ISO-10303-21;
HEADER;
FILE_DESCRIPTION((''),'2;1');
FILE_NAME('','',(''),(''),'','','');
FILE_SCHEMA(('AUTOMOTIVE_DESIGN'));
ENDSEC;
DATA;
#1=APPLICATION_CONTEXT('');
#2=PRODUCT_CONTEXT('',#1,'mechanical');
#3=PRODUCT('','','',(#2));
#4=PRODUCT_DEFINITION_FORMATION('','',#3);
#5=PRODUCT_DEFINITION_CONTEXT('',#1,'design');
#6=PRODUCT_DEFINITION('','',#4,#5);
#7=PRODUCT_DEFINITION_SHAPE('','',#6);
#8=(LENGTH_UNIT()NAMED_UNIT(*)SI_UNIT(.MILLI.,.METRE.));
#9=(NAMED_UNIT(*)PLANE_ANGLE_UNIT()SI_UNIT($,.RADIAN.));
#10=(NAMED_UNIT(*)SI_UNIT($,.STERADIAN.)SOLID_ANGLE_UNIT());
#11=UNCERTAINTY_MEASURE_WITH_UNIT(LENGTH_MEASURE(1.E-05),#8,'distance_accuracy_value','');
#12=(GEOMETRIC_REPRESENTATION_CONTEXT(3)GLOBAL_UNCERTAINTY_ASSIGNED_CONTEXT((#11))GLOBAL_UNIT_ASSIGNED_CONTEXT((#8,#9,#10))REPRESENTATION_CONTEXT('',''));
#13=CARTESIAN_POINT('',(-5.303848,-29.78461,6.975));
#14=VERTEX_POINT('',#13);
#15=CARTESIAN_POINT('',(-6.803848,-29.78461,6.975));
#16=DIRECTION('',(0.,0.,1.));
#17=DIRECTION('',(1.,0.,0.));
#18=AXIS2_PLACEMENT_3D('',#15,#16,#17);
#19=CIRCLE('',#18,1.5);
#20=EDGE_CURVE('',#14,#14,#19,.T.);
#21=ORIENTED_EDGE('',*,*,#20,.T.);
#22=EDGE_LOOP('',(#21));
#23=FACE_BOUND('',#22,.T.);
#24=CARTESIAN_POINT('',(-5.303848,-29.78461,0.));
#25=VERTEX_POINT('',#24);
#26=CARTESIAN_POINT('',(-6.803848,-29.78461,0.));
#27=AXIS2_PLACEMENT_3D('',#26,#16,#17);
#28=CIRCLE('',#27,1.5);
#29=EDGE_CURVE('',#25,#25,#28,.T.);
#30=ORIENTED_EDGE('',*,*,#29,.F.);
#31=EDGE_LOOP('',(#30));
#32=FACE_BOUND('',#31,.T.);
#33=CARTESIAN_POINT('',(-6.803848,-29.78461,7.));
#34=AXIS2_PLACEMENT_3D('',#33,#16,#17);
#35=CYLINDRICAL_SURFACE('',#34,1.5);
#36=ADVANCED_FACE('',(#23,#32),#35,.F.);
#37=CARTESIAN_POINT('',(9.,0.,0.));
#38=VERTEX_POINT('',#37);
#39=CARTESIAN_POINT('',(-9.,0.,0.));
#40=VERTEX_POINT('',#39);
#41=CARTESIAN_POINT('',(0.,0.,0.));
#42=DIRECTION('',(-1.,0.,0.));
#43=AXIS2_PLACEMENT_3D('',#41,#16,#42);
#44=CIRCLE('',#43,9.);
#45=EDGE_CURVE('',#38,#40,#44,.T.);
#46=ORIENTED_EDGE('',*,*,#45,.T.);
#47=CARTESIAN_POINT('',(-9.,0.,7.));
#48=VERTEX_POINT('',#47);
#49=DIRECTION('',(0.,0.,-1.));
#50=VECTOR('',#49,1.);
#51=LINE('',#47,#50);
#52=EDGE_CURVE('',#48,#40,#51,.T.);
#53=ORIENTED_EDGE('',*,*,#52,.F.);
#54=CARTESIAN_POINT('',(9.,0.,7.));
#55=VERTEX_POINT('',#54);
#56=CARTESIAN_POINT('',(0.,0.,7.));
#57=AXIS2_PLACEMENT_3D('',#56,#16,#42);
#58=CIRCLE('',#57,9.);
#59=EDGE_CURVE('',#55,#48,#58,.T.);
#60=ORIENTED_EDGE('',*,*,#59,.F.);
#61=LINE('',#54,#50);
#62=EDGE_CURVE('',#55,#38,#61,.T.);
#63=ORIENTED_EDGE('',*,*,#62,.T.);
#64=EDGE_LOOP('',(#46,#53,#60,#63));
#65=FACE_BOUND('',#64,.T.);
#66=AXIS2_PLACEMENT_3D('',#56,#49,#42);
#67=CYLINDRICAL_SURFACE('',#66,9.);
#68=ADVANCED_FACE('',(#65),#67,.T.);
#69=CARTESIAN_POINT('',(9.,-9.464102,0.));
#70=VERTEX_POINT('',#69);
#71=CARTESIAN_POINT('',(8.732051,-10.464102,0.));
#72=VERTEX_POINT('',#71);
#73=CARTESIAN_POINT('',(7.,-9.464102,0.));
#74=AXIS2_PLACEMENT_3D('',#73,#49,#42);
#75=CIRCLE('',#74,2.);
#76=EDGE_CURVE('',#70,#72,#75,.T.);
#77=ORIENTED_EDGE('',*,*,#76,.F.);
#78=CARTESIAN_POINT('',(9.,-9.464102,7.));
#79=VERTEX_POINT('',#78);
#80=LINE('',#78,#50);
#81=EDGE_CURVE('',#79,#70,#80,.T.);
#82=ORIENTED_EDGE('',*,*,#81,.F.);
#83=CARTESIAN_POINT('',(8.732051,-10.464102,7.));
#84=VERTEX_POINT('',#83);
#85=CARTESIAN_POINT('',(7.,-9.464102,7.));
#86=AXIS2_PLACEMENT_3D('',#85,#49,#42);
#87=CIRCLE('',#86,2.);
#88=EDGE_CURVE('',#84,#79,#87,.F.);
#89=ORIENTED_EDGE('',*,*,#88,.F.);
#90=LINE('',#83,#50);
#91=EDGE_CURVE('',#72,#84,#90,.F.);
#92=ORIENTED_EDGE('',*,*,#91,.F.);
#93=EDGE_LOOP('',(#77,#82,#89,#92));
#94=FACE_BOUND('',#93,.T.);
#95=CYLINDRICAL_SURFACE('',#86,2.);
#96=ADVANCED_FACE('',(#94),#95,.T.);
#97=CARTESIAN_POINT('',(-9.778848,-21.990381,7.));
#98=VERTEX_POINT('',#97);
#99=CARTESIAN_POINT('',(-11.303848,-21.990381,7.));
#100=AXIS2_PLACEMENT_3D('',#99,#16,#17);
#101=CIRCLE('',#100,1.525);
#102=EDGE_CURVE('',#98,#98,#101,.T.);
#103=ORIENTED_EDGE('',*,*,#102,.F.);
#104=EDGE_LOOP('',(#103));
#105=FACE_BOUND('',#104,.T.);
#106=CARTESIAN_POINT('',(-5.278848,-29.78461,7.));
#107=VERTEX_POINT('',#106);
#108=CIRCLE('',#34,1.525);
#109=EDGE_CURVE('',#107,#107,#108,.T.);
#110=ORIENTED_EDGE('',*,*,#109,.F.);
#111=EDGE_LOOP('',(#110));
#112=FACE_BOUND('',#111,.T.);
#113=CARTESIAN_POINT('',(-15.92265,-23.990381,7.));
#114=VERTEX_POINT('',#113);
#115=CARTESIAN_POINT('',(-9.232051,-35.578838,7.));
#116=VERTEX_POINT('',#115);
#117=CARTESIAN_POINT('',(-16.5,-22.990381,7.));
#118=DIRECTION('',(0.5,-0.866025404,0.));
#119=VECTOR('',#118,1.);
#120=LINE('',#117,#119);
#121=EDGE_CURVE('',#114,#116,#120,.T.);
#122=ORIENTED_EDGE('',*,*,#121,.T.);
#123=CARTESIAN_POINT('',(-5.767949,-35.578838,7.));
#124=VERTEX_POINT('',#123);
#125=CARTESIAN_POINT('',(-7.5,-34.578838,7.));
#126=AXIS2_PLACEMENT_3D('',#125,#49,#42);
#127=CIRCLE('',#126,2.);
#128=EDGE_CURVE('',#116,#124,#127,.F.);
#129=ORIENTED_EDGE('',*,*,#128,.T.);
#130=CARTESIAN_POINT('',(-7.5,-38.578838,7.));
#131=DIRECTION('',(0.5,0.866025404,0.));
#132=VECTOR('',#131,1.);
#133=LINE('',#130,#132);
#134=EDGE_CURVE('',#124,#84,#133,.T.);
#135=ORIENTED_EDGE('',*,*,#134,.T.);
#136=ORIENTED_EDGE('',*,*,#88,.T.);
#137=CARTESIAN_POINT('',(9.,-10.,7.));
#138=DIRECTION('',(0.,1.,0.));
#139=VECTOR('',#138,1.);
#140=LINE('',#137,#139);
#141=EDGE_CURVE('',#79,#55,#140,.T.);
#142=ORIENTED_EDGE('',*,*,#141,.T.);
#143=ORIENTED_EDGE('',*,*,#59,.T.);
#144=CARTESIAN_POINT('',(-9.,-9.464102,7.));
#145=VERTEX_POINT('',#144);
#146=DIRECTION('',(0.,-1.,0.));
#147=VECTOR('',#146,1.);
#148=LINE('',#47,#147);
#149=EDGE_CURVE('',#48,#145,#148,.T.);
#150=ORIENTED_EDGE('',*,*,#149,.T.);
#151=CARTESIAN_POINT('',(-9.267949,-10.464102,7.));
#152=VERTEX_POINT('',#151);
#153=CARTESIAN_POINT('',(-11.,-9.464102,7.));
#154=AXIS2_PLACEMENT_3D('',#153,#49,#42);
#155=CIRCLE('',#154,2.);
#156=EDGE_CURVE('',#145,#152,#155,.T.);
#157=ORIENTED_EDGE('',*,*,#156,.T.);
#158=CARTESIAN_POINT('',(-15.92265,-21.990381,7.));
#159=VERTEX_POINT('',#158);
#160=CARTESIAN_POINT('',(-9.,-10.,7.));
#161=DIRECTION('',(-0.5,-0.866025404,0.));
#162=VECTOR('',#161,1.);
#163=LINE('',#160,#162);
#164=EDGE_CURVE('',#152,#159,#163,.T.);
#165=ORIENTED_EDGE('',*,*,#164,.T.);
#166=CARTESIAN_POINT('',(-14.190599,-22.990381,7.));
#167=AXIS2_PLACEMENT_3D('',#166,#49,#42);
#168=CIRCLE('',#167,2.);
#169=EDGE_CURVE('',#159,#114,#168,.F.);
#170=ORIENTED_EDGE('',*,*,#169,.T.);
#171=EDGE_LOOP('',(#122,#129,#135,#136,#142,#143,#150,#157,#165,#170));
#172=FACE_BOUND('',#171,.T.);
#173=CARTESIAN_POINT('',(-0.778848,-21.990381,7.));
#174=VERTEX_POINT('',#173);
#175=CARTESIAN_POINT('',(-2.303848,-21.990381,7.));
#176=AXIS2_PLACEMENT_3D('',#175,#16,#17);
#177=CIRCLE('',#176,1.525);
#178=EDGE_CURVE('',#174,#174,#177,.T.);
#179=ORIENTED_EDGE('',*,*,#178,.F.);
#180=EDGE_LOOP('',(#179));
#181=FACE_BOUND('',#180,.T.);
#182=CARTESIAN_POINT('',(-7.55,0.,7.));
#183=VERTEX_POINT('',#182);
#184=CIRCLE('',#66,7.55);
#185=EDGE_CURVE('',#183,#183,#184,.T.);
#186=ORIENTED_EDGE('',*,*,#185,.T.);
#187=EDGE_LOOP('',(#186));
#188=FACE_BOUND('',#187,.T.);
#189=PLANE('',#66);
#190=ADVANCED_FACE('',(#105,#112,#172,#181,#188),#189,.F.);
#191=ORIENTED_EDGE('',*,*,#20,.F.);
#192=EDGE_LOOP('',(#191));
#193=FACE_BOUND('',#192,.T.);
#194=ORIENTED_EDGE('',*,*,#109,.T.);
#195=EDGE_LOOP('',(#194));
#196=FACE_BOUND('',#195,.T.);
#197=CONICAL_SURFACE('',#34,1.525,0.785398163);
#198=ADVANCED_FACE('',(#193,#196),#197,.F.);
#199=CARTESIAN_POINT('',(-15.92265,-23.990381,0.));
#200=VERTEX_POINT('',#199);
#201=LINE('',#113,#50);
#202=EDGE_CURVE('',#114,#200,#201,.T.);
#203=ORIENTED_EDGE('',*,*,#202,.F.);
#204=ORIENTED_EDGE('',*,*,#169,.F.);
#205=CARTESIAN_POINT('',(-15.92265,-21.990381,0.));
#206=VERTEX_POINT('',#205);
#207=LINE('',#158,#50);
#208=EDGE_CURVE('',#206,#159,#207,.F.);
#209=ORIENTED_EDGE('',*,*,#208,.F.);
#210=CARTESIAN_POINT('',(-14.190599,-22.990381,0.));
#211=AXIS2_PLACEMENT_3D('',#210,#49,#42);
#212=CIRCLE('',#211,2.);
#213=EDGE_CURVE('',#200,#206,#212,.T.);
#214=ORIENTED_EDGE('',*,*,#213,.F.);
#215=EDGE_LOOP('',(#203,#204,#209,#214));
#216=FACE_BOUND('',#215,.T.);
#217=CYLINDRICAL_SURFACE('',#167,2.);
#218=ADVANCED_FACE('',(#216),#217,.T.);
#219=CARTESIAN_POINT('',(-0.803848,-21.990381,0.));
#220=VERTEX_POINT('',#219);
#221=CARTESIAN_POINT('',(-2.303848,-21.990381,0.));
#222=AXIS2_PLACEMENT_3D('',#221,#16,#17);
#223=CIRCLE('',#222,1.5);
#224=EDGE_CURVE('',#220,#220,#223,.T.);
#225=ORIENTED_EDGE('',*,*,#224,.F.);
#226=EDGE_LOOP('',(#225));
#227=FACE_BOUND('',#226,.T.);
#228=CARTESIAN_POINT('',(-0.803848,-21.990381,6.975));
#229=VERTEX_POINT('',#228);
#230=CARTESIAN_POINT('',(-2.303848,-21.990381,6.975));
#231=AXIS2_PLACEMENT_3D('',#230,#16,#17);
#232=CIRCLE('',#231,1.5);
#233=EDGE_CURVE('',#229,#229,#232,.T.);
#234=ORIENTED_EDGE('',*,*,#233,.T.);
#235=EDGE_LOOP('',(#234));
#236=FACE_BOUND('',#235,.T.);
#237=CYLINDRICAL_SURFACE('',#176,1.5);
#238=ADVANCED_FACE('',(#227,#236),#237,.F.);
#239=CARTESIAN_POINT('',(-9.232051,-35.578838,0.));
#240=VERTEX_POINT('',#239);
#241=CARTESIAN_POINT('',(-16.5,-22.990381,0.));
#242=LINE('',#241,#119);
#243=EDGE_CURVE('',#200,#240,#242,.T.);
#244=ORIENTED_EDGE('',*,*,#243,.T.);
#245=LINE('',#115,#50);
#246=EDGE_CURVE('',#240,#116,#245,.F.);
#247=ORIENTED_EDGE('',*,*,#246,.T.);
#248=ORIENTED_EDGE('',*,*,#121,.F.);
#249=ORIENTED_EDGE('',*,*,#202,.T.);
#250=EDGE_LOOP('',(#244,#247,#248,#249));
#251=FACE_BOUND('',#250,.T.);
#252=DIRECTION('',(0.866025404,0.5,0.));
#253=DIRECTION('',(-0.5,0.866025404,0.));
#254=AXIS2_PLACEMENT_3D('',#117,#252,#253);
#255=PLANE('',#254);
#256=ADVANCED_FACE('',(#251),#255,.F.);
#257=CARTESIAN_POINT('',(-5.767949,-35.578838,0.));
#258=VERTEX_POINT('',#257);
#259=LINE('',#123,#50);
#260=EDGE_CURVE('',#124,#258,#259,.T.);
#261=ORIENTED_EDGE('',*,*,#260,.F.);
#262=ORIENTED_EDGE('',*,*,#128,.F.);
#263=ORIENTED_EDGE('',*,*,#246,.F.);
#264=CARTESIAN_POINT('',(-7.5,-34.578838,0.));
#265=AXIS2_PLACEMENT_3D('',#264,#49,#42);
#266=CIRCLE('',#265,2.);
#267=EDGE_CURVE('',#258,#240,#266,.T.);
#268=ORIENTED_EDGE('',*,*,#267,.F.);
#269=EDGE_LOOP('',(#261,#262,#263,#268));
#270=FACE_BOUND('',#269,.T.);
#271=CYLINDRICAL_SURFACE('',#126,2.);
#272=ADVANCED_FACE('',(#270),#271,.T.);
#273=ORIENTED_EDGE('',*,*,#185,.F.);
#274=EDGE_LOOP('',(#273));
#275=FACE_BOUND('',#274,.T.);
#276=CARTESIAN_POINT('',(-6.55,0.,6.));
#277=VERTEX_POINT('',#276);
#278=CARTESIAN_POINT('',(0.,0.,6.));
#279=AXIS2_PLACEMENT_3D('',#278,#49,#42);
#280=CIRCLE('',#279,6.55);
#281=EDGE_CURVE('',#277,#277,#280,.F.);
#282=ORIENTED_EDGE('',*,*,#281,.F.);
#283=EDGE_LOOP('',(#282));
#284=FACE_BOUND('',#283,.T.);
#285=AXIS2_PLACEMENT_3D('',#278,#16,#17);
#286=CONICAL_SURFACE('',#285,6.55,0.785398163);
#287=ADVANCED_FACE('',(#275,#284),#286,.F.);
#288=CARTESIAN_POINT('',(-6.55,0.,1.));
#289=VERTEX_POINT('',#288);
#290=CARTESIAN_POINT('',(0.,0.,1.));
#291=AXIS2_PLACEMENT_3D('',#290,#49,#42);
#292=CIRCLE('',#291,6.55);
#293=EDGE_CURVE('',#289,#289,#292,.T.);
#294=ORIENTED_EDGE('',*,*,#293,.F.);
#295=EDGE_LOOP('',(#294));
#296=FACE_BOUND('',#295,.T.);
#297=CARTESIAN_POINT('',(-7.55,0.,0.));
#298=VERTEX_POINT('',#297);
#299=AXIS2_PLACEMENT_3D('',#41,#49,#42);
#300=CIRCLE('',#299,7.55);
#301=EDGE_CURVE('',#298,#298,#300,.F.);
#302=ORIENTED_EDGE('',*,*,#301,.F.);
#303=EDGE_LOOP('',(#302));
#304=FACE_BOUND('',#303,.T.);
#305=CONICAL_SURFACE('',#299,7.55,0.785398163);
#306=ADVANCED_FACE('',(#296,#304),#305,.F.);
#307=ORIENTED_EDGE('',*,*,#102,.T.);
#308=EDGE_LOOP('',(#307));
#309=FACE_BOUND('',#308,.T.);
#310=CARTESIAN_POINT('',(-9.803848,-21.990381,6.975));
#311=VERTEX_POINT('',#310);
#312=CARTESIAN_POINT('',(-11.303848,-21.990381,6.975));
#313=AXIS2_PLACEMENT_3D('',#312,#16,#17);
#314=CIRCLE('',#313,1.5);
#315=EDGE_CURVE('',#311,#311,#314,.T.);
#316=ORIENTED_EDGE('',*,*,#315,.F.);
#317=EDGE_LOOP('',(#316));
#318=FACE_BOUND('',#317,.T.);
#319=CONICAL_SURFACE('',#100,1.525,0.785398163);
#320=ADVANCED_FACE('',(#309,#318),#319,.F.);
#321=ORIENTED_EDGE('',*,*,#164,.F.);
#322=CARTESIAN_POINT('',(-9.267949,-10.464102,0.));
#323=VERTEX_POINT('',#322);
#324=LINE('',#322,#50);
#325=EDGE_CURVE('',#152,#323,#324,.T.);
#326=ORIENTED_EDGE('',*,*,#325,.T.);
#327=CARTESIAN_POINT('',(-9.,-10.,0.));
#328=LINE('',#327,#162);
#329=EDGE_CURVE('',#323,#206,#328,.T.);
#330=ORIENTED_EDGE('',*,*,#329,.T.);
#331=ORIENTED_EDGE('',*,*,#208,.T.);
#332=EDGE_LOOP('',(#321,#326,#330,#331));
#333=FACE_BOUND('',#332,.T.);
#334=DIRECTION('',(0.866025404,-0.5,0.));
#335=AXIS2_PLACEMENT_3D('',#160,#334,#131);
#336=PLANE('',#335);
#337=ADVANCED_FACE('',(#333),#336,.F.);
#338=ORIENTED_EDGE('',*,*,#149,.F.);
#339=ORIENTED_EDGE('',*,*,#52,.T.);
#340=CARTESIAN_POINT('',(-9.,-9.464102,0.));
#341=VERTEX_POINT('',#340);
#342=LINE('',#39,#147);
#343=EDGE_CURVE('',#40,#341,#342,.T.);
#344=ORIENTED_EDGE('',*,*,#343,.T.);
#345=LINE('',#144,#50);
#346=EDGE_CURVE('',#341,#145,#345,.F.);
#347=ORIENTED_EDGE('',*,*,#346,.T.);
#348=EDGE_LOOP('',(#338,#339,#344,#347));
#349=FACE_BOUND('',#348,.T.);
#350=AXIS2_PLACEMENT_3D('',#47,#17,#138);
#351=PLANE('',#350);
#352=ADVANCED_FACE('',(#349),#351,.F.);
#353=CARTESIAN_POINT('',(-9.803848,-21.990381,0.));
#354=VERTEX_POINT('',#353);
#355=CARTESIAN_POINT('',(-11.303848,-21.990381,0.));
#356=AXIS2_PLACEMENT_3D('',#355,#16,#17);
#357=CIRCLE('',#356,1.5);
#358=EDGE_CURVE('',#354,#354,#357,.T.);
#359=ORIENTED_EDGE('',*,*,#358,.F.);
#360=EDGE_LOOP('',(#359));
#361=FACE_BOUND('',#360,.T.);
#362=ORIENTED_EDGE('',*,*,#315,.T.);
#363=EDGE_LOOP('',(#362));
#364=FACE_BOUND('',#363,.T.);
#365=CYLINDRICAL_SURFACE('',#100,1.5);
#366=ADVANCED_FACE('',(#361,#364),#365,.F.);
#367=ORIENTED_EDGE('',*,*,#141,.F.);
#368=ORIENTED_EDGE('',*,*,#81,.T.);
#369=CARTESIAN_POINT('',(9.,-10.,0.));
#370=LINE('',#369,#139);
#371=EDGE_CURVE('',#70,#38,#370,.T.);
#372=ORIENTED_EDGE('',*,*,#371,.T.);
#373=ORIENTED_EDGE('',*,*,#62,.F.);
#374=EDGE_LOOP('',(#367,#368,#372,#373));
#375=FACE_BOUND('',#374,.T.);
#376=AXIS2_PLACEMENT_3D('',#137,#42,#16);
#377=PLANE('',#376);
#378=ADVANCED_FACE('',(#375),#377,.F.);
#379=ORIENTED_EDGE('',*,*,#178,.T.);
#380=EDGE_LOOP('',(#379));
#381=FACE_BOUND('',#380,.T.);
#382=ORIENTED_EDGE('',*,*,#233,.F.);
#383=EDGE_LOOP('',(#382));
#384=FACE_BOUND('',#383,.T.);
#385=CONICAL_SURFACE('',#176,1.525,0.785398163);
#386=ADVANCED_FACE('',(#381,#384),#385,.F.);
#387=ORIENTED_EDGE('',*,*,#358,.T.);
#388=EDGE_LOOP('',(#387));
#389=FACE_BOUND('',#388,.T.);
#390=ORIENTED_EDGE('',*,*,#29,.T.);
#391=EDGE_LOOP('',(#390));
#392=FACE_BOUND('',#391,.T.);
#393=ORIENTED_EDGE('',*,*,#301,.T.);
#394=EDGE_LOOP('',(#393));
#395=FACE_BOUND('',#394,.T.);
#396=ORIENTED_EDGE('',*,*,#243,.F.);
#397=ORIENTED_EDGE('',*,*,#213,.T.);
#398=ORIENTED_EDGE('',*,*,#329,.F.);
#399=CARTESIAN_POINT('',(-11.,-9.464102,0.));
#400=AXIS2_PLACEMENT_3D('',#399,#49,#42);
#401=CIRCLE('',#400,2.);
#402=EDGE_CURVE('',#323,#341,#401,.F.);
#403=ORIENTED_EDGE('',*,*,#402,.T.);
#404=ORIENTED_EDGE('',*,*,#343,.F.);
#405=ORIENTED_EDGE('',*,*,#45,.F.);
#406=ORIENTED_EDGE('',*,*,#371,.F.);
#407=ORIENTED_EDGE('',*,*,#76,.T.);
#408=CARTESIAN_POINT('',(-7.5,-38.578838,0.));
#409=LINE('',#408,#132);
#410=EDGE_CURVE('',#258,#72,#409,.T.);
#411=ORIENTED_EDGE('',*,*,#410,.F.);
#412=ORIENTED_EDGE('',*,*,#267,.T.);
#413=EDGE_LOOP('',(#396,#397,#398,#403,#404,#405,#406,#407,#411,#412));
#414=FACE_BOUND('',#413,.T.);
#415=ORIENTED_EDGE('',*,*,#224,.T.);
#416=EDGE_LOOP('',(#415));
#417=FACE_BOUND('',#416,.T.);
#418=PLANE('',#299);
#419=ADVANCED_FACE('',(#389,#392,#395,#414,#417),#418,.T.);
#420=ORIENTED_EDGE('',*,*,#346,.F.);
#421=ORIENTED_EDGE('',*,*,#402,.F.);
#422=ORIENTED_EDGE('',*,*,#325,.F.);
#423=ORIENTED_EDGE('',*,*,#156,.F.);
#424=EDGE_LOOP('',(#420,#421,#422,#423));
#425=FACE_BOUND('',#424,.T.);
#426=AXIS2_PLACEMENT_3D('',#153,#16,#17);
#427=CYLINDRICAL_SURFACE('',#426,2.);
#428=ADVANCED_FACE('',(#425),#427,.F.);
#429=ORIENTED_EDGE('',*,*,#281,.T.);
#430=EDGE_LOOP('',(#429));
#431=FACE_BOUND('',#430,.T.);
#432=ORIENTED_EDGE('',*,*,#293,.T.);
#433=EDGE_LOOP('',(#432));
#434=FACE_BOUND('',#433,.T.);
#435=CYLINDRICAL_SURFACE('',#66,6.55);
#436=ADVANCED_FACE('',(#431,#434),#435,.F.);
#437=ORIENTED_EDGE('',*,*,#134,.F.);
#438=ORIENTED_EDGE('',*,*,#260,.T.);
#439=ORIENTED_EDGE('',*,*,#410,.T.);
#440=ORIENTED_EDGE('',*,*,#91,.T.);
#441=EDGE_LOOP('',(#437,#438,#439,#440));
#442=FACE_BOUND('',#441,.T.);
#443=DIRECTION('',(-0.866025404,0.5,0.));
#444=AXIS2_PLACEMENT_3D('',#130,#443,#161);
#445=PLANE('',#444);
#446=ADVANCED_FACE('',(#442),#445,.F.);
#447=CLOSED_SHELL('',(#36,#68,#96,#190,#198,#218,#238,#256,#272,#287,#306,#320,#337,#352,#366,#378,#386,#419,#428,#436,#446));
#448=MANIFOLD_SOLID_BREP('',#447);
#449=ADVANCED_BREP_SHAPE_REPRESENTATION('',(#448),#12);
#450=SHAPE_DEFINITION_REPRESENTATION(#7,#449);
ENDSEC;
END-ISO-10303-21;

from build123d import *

# Parameters (mm, degrees)
SKETCH1_R                       = 6.55
BOSS_EXTRUDE1_DEPTH             = 7
CHAMFER1_SIZE                   = 1
FILLET1_R                       = 2
F_3_0MM_DOWEL_HOLE1_D           = 3
F_3_0MM_DOWEL_HOLE1_CSINK_D     = 3.05
F_3_0MM_DOWEL_HOLE1_CSINK_ANGLE = 90


with BuildPart() as part:
    # Sketch1 → Boss-Extrude1 (new body)
    with BuildSketch(Plane.XY):
        with BuildLine():
            Line((-9, 0), (-9, -10))
            Line((-9, -10), (-16.5, -22.990381057))
            Line((-16.5, -22.990381057), (-7.5, -38.578838325))
            Line((-7.5, -38.578838325), (9, -10))
            Line((9, -10), (9, 0))
            ThreePointArc((9, 0), (0, 9), (-9, 0))
        make_face()
        Circle(SKETCH1_R, mode=Mode.SUBTRACT)
    extrude(amount=BOSS_EXTRUDE1_DEPTH)

    # Chamfer1
    chamfer1_edges = [part.edges().sort_by_distance(p)[0] for p in [
        (-6.55, 0, 0),
        (-6.55, 0, 7),
    ]]
    chamfer(chamfer1_edges, length=CHAMFER1_SIZE)

    # Fillet1
    fillet1_edges = [part.edges().sort_by_distance(p)[0] for p in [
        (9, -10, 3.5),
        (-7.5, -38.578838325, 3.5),
        (-16.5, -22.990381057, 3.5),
        (-9, -10, 3.5),
    ]]
    fillet(fillet1_edges, radius=FILLET1_R)

    # Ø3.0mm Dowel Hole1 (through all)
    with Locations(Plane.XY.offset(7)):
        with Locations((-11.303847577, -21.990381057), (-6.803847577, -29.784609691), (-2.303847577, -21.990381057)):
            CounterSinkHole(F_3_0MM_DOWEL_HOLE1_D / 2, F_3_0MM_DOWEL_HOLE1_CSINK_D / 2, counter_sink_angle=F_3_0MM_DOWEL_HOLE1_CSINK_ANGLE)


solid = part.part
